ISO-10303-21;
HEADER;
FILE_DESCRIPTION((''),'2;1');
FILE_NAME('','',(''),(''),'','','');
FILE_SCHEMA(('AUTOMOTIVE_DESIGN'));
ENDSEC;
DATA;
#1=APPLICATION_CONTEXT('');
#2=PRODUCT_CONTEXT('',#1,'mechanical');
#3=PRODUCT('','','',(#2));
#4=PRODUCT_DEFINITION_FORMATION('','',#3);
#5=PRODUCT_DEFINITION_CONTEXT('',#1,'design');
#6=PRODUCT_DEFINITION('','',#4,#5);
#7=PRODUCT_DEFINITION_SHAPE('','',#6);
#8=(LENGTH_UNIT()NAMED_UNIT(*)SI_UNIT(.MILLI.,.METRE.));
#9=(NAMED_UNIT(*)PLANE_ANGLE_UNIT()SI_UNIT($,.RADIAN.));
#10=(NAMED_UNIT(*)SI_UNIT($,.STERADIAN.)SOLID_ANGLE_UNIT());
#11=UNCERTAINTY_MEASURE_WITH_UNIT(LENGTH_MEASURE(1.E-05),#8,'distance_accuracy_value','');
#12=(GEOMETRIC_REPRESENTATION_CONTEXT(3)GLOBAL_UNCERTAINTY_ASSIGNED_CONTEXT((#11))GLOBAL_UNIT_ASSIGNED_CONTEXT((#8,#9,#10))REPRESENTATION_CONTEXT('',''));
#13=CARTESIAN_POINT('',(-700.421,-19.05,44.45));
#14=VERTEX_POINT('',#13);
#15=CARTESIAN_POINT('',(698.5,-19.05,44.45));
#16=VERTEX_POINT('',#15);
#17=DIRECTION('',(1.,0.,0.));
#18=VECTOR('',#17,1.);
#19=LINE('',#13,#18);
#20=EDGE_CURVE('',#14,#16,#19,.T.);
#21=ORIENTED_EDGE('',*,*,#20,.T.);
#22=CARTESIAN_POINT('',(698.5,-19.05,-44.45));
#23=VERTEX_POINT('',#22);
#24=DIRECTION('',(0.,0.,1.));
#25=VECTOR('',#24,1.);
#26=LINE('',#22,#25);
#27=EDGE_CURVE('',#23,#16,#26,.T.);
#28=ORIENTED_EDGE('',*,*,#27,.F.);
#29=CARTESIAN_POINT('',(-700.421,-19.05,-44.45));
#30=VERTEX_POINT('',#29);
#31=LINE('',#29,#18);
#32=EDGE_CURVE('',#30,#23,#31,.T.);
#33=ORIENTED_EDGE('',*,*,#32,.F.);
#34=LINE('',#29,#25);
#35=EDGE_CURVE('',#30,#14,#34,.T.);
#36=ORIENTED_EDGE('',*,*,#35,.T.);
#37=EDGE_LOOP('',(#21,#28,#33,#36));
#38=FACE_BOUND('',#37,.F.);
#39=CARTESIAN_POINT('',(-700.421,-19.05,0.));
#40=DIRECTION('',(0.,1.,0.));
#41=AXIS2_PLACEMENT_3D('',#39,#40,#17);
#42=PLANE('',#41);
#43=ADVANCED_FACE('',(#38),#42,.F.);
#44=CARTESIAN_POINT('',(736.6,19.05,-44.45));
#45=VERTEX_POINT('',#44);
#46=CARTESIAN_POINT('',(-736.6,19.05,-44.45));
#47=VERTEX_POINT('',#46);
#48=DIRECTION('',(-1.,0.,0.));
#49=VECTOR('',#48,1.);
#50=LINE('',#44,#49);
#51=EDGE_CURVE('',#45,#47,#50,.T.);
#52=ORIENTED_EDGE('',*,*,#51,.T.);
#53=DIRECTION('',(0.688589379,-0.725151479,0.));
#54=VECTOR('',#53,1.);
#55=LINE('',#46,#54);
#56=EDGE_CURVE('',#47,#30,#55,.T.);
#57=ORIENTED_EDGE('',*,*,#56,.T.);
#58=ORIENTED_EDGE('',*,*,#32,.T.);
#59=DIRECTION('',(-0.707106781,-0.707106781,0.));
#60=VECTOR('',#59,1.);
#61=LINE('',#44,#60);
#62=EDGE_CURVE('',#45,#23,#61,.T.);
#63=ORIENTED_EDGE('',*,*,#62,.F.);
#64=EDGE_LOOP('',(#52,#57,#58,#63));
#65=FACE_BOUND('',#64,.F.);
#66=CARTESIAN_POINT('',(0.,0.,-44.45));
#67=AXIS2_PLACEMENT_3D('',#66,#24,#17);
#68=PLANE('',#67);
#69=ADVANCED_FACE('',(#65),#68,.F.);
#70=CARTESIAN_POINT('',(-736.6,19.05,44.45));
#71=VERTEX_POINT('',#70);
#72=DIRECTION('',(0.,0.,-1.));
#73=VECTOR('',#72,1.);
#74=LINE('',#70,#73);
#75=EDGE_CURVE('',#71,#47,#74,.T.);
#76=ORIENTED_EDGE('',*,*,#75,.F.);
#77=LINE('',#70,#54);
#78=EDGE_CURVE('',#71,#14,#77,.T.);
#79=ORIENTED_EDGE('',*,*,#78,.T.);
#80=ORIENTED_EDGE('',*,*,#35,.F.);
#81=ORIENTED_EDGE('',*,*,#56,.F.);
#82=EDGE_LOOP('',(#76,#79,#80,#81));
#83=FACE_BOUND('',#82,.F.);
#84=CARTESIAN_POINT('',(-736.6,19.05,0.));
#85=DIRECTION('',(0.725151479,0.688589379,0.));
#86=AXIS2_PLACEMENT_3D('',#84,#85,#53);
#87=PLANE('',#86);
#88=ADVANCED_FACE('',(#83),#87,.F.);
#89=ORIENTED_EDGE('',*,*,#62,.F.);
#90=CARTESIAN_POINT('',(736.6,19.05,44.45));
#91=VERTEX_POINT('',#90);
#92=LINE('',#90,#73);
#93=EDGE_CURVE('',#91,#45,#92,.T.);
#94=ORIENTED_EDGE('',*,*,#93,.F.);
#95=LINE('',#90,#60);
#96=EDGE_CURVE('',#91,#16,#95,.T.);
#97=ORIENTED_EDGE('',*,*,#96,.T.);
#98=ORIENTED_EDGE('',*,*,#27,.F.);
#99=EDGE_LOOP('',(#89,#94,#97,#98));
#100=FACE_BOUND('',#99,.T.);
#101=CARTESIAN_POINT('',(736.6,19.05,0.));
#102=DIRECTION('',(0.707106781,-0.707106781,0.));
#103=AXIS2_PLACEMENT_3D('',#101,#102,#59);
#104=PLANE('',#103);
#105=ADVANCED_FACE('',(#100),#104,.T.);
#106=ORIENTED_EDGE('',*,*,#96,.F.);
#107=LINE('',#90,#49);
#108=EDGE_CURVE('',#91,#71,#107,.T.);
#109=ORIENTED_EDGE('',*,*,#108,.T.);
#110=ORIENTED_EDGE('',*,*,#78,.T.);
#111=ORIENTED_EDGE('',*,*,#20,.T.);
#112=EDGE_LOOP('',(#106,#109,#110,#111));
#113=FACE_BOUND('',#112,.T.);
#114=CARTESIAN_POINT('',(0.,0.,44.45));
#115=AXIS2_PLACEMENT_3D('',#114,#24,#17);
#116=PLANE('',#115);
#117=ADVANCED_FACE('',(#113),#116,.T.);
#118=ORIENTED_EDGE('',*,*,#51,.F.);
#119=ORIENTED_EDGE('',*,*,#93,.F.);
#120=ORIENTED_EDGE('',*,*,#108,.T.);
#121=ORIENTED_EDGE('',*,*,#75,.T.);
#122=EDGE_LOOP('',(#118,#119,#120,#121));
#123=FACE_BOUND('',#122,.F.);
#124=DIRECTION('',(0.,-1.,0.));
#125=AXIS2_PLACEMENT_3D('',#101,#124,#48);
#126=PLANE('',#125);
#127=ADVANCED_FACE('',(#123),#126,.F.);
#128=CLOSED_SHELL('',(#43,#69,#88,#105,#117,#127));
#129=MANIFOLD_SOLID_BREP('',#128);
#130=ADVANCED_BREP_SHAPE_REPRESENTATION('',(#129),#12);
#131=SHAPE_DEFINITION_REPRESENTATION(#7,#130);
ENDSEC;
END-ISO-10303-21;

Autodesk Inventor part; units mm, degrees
ref_plane "YZ Plane" through (0, 0, 0) normal (1, 0, 0) x (0, 1, 0)
ref_plane "XZ Plane" through (0, 0, 0) normal (0, 1, 0) x (-1, 0, 0)
ref_plane "XY Plane" through (0, 0, 0) normal (0, 0, 1) x (1, 0, 0)
sketch "Sketch1" plane through (0, 0, 0) normal (0, 0, 1) x (1, 0, 0)
  line L0 (-700.421, -19.05) -> (698.5, -19.05)
  line L1 (736.6, 19.05) -> (-736.6, 19.05)
  line L2 (-736.6, -19.05) -> (736.6, 19.05) construction
  line L3 (736.6, -19.05) -> (-736.6, 19.05) construction
  line L4 (-736.6, 19.05) -> (-700.421, -19.05)
  line L5 (736.6, 19.05) -> (698.5, -19.05)
  point P0 (0, 0)
  dimension "d2" = 45
  dimension "d3" = 45
  dimension "d4" = 38.1
  dimension "length" = 1473.2
extrude "Extrusion1" add sketch "Sketch1" along normal mid plane 88.9
properties part number "45 Diagonal Piece"
